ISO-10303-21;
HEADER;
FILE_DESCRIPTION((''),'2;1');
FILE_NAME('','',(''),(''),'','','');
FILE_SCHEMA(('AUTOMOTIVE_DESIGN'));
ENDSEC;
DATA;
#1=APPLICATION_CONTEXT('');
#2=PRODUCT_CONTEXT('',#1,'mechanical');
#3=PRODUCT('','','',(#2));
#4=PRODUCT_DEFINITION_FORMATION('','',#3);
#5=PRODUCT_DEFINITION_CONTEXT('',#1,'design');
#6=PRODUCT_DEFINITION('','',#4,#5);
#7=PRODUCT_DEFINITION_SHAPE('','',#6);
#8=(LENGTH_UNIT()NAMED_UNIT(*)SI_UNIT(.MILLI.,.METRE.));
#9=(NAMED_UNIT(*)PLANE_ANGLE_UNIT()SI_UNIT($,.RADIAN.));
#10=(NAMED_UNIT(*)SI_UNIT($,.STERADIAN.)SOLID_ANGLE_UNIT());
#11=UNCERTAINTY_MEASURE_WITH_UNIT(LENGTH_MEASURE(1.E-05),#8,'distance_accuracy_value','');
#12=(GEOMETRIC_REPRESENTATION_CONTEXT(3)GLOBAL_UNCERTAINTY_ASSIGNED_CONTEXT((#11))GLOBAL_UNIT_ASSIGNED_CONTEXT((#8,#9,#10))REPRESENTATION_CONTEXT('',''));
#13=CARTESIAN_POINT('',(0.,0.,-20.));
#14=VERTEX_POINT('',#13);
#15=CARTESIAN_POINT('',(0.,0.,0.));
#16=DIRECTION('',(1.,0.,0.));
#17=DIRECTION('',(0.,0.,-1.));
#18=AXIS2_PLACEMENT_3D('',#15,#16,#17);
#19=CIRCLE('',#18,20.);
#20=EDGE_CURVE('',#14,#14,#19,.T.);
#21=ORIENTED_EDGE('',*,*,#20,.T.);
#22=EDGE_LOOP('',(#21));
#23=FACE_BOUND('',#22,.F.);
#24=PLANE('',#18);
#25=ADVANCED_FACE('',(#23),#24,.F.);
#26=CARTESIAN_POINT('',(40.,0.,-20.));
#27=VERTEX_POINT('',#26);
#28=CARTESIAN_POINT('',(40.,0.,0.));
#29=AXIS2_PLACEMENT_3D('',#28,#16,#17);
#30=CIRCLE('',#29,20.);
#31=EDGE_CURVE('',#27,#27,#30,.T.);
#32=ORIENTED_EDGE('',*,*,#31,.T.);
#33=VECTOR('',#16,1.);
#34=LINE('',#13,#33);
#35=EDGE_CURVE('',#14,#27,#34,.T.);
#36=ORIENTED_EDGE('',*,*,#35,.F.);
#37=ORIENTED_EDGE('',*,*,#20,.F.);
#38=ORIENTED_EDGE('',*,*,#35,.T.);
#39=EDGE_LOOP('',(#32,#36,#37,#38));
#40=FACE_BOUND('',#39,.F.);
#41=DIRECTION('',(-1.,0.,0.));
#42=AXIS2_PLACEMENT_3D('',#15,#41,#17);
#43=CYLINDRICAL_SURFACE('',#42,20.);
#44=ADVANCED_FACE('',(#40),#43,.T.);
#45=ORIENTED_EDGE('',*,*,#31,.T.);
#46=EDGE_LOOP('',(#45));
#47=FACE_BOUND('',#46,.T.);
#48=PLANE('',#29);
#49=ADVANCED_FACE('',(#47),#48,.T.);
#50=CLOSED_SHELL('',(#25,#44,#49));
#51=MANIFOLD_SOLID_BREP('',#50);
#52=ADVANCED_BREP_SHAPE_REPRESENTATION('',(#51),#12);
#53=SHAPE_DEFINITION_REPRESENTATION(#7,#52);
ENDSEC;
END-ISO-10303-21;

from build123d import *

# Parameters (mm, degrees)
SKETCH1_R           = 20
BOSS_EXTRUDE1_DEPTH = 40


with BuildPart() as part:
    # Sketch1 → Boss-Extrude1 (new body)
    with BuildSketch(Plane(origin=(0, 0, 0), x_dir=(0, 0, -1), z_dir=(1, 0, 0))):
        Circle(SKETCH1_R)
    extrude(amount=BOSS_EXTRUDE1_DEPTH)


solid = part.part
